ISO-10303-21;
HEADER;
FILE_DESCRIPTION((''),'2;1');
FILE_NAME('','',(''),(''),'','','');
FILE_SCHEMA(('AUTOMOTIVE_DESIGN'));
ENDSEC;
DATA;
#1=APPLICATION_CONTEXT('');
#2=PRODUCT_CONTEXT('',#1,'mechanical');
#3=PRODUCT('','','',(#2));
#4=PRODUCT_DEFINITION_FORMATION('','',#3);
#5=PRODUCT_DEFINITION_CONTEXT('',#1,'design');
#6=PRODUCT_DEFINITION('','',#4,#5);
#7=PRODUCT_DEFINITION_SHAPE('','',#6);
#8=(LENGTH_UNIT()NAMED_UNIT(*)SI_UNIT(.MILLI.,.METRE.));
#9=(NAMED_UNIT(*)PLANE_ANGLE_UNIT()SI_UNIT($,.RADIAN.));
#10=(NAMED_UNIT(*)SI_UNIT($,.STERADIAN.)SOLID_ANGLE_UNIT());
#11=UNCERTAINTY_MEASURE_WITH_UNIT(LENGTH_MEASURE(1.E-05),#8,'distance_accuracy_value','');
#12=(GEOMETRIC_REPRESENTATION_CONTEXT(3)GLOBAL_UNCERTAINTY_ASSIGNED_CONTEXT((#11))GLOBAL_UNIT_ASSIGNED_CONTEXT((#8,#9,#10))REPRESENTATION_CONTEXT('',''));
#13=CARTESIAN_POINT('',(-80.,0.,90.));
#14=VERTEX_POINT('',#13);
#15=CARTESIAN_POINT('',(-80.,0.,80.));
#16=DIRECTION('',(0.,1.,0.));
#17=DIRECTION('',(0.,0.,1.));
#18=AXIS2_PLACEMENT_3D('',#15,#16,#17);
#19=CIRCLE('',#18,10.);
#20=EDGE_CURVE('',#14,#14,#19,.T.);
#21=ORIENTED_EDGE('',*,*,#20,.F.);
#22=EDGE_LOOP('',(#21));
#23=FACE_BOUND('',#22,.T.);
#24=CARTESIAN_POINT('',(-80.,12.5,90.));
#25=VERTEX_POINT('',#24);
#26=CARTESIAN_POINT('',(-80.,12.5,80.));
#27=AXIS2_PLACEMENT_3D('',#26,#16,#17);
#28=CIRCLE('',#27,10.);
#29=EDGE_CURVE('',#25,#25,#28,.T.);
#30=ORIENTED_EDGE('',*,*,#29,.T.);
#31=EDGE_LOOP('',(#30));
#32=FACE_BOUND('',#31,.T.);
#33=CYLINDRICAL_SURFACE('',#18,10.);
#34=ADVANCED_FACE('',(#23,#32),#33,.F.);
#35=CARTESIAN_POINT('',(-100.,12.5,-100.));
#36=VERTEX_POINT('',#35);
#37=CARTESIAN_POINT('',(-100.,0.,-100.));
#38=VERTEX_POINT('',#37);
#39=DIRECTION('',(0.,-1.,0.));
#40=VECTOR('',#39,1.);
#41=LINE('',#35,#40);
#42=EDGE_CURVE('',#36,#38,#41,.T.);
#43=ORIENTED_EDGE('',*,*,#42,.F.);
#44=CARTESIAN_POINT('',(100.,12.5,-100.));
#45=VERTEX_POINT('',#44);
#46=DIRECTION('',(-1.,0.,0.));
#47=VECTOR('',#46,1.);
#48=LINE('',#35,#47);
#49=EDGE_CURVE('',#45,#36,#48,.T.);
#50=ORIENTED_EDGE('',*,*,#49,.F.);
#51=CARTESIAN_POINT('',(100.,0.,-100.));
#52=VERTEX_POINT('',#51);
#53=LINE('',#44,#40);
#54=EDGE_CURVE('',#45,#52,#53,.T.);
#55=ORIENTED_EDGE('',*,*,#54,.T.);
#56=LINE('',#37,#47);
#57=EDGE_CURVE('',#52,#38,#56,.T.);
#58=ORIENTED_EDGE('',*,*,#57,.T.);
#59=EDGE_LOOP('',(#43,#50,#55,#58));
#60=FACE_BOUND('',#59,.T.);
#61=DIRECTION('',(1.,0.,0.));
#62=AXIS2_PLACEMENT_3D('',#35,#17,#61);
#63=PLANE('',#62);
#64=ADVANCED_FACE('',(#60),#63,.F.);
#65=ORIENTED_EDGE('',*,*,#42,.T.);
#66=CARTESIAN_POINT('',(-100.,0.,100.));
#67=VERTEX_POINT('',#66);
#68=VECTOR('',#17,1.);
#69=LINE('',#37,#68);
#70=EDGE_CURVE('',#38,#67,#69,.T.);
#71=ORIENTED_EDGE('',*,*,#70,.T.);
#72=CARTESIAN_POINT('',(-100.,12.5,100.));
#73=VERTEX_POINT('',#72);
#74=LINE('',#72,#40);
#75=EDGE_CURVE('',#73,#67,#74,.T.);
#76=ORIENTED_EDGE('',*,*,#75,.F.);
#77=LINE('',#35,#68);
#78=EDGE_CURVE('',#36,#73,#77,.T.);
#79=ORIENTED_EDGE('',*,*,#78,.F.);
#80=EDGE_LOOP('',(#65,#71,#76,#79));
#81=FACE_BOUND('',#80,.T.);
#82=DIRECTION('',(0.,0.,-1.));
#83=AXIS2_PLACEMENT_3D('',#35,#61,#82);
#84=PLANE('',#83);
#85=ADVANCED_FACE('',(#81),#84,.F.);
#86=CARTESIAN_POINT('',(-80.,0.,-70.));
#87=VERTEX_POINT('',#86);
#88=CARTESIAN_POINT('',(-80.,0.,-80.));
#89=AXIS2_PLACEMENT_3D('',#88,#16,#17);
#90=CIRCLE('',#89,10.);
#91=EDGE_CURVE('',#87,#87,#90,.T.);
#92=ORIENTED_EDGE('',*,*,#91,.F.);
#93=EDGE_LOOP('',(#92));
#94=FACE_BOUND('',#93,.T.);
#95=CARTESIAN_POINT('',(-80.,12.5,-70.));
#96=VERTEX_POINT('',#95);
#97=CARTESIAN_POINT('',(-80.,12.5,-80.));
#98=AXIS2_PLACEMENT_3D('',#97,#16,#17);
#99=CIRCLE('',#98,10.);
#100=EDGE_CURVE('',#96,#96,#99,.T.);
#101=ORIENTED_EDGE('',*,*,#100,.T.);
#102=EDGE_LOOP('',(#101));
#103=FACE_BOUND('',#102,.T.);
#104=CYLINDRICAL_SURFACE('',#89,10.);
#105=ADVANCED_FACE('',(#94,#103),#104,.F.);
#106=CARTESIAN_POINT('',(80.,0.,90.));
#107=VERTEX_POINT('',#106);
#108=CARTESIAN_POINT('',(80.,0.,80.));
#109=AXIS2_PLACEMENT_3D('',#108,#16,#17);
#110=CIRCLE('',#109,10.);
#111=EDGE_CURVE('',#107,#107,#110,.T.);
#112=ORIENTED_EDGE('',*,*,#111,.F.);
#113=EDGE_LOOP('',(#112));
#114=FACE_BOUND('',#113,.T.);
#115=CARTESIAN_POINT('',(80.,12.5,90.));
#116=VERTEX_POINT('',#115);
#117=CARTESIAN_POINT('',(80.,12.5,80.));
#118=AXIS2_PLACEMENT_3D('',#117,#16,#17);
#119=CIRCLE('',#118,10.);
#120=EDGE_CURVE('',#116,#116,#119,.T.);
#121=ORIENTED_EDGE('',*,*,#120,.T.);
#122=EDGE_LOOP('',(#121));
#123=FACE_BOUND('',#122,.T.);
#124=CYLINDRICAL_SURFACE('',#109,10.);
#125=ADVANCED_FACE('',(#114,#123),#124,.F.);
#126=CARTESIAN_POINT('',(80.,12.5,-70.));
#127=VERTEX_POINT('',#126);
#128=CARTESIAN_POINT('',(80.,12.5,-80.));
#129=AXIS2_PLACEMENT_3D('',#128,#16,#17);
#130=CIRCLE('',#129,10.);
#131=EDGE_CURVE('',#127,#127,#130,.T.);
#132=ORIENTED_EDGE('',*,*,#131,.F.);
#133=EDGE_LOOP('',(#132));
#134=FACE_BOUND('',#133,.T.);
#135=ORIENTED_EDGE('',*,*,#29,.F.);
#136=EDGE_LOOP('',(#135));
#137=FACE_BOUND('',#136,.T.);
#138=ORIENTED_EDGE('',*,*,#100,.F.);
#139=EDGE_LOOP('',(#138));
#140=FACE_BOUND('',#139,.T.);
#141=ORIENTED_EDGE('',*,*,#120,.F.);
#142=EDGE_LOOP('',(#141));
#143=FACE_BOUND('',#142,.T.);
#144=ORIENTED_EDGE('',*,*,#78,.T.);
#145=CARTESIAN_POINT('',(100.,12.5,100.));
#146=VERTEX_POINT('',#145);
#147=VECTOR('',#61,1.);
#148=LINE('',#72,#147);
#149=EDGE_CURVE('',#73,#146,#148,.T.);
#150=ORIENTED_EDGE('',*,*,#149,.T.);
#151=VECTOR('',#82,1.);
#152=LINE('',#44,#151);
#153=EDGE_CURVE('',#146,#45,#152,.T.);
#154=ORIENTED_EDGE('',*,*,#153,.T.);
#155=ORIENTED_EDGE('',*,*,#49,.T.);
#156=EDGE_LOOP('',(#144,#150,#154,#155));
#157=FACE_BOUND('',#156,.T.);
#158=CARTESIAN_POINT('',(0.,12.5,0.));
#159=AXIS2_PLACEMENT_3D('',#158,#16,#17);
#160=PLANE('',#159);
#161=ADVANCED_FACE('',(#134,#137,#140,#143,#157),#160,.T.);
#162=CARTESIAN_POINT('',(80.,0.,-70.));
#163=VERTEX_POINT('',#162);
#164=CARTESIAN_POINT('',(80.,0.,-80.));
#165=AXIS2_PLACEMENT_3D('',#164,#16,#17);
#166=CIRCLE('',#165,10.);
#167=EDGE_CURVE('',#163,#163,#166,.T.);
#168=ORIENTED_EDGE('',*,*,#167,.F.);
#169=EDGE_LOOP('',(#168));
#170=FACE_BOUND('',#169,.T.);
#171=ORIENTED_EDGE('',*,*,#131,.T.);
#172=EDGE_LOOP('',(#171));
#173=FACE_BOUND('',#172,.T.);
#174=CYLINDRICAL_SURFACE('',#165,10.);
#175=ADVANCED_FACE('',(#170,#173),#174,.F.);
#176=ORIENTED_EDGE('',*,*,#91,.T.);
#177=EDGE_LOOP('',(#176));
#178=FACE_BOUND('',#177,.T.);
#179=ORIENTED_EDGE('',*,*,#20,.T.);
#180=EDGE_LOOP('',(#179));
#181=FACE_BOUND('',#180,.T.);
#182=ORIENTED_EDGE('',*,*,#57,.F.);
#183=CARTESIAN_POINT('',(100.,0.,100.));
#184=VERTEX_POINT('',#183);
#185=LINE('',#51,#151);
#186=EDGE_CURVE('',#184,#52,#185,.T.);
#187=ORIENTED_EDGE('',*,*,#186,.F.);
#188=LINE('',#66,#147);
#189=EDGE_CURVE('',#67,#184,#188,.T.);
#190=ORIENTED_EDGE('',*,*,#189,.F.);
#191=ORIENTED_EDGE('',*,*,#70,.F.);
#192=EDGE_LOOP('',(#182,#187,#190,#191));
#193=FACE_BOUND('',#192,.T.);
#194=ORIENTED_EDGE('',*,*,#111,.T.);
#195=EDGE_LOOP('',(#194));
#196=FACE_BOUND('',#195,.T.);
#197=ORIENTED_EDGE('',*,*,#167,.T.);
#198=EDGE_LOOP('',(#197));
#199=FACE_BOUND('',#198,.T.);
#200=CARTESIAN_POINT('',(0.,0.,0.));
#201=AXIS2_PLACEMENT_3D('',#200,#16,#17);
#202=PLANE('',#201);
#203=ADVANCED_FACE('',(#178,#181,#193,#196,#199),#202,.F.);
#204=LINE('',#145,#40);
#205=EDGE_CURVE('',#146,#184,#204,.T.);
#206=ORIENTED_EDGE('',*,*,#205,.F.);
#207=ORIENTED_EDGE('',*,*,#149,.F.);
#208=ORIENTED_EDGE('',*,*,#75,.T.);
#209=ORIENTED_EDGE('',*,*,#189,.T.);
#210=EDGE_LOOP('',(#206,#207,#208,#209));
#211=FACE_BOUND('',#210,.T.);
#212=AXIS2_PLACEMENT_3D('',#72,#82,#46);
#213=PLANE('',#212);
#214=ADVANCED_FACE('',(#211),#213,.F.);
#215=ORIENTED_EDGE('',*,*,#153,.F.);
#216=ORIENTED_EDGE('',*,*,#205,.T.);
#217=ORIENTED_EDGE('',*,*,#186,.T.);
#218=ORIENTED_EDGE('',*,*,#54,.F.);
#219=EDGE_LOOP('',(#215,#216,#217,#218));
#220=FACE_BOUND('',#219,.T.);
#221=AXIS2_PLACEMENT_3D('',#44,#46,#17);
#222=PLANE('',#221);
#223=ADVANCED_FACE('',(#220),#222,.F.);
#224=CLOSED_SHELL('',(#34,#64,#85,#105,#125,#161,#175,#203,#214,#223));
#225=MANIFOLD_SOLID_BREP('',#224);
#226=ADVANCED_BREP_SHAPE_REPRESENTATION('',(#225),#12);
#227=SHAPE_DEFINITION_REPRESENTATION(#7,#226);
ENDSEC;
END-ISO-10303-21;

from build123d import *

# Parameters (mm, degrees)
ESBO_O1_W                 = 200
ESBO_O1_H                 = 200
RESSALTO_EXTRUS_O1_DEPTH  = 12.5
ESBO_O2_R                 = 10
CORTE_EXTRUS_O1_DEPTH     = 142.972708645
PADR_O_LINEAR1_COUNT      = 2
PADR_O_LINEAR1_PITCH      = 160
PADR_O_LINEAR1_COUNT_DIR2 = 2
PADR_O_LINEAR1_PITCH_DIR2 = 160


with BuildPart() as part:
    # Esboço1 → Ressalto-extrusão1 (new body)
    with BuildSketch(Plane(origin=(0, 0, 0), x_dir=(1, 0, 0), z_dir=(0, 1, 0))):
        Rectangle(ESBO_O1_W, ESBO_O1_H)
    extrude(amount=RESSALTO_EXTRUS_O1_DEPTH)

    # Esboço2 → Corte-extrusão1 (cut, through all)
    with BuildSketch(Plane(origin=(0, 12.5, 0), x_dir=(1, 0, 0), z_dir=(0, 1, 0))):
        with Locations(Location((-80, 80, 0), (0, 0, 270))):
            Circle(ESBO_O2_R)
    corte_extrus_o1 = extrude(amount=-CORTE_EXTRUS_O1_DEPTH, mode=Mode.SUBTRACT)

    # Padrão linear1: Corte-extrus_o1 2 × 2
    with Locations(*[(i * PADR_O_LINEAR1_PITCH, 0, j * PADR_O_LINEAR1_PITCH_DIR2) for i in range(PADR_O_LINEAR1_COUNT) for j in range(PADR_O_LINEAR1_COUNT_DIR2) if (i, j) != (0, 0)]):
        add(corte_extrus_o1, mode=Mode.SUBTRACT)


solid = part.part
